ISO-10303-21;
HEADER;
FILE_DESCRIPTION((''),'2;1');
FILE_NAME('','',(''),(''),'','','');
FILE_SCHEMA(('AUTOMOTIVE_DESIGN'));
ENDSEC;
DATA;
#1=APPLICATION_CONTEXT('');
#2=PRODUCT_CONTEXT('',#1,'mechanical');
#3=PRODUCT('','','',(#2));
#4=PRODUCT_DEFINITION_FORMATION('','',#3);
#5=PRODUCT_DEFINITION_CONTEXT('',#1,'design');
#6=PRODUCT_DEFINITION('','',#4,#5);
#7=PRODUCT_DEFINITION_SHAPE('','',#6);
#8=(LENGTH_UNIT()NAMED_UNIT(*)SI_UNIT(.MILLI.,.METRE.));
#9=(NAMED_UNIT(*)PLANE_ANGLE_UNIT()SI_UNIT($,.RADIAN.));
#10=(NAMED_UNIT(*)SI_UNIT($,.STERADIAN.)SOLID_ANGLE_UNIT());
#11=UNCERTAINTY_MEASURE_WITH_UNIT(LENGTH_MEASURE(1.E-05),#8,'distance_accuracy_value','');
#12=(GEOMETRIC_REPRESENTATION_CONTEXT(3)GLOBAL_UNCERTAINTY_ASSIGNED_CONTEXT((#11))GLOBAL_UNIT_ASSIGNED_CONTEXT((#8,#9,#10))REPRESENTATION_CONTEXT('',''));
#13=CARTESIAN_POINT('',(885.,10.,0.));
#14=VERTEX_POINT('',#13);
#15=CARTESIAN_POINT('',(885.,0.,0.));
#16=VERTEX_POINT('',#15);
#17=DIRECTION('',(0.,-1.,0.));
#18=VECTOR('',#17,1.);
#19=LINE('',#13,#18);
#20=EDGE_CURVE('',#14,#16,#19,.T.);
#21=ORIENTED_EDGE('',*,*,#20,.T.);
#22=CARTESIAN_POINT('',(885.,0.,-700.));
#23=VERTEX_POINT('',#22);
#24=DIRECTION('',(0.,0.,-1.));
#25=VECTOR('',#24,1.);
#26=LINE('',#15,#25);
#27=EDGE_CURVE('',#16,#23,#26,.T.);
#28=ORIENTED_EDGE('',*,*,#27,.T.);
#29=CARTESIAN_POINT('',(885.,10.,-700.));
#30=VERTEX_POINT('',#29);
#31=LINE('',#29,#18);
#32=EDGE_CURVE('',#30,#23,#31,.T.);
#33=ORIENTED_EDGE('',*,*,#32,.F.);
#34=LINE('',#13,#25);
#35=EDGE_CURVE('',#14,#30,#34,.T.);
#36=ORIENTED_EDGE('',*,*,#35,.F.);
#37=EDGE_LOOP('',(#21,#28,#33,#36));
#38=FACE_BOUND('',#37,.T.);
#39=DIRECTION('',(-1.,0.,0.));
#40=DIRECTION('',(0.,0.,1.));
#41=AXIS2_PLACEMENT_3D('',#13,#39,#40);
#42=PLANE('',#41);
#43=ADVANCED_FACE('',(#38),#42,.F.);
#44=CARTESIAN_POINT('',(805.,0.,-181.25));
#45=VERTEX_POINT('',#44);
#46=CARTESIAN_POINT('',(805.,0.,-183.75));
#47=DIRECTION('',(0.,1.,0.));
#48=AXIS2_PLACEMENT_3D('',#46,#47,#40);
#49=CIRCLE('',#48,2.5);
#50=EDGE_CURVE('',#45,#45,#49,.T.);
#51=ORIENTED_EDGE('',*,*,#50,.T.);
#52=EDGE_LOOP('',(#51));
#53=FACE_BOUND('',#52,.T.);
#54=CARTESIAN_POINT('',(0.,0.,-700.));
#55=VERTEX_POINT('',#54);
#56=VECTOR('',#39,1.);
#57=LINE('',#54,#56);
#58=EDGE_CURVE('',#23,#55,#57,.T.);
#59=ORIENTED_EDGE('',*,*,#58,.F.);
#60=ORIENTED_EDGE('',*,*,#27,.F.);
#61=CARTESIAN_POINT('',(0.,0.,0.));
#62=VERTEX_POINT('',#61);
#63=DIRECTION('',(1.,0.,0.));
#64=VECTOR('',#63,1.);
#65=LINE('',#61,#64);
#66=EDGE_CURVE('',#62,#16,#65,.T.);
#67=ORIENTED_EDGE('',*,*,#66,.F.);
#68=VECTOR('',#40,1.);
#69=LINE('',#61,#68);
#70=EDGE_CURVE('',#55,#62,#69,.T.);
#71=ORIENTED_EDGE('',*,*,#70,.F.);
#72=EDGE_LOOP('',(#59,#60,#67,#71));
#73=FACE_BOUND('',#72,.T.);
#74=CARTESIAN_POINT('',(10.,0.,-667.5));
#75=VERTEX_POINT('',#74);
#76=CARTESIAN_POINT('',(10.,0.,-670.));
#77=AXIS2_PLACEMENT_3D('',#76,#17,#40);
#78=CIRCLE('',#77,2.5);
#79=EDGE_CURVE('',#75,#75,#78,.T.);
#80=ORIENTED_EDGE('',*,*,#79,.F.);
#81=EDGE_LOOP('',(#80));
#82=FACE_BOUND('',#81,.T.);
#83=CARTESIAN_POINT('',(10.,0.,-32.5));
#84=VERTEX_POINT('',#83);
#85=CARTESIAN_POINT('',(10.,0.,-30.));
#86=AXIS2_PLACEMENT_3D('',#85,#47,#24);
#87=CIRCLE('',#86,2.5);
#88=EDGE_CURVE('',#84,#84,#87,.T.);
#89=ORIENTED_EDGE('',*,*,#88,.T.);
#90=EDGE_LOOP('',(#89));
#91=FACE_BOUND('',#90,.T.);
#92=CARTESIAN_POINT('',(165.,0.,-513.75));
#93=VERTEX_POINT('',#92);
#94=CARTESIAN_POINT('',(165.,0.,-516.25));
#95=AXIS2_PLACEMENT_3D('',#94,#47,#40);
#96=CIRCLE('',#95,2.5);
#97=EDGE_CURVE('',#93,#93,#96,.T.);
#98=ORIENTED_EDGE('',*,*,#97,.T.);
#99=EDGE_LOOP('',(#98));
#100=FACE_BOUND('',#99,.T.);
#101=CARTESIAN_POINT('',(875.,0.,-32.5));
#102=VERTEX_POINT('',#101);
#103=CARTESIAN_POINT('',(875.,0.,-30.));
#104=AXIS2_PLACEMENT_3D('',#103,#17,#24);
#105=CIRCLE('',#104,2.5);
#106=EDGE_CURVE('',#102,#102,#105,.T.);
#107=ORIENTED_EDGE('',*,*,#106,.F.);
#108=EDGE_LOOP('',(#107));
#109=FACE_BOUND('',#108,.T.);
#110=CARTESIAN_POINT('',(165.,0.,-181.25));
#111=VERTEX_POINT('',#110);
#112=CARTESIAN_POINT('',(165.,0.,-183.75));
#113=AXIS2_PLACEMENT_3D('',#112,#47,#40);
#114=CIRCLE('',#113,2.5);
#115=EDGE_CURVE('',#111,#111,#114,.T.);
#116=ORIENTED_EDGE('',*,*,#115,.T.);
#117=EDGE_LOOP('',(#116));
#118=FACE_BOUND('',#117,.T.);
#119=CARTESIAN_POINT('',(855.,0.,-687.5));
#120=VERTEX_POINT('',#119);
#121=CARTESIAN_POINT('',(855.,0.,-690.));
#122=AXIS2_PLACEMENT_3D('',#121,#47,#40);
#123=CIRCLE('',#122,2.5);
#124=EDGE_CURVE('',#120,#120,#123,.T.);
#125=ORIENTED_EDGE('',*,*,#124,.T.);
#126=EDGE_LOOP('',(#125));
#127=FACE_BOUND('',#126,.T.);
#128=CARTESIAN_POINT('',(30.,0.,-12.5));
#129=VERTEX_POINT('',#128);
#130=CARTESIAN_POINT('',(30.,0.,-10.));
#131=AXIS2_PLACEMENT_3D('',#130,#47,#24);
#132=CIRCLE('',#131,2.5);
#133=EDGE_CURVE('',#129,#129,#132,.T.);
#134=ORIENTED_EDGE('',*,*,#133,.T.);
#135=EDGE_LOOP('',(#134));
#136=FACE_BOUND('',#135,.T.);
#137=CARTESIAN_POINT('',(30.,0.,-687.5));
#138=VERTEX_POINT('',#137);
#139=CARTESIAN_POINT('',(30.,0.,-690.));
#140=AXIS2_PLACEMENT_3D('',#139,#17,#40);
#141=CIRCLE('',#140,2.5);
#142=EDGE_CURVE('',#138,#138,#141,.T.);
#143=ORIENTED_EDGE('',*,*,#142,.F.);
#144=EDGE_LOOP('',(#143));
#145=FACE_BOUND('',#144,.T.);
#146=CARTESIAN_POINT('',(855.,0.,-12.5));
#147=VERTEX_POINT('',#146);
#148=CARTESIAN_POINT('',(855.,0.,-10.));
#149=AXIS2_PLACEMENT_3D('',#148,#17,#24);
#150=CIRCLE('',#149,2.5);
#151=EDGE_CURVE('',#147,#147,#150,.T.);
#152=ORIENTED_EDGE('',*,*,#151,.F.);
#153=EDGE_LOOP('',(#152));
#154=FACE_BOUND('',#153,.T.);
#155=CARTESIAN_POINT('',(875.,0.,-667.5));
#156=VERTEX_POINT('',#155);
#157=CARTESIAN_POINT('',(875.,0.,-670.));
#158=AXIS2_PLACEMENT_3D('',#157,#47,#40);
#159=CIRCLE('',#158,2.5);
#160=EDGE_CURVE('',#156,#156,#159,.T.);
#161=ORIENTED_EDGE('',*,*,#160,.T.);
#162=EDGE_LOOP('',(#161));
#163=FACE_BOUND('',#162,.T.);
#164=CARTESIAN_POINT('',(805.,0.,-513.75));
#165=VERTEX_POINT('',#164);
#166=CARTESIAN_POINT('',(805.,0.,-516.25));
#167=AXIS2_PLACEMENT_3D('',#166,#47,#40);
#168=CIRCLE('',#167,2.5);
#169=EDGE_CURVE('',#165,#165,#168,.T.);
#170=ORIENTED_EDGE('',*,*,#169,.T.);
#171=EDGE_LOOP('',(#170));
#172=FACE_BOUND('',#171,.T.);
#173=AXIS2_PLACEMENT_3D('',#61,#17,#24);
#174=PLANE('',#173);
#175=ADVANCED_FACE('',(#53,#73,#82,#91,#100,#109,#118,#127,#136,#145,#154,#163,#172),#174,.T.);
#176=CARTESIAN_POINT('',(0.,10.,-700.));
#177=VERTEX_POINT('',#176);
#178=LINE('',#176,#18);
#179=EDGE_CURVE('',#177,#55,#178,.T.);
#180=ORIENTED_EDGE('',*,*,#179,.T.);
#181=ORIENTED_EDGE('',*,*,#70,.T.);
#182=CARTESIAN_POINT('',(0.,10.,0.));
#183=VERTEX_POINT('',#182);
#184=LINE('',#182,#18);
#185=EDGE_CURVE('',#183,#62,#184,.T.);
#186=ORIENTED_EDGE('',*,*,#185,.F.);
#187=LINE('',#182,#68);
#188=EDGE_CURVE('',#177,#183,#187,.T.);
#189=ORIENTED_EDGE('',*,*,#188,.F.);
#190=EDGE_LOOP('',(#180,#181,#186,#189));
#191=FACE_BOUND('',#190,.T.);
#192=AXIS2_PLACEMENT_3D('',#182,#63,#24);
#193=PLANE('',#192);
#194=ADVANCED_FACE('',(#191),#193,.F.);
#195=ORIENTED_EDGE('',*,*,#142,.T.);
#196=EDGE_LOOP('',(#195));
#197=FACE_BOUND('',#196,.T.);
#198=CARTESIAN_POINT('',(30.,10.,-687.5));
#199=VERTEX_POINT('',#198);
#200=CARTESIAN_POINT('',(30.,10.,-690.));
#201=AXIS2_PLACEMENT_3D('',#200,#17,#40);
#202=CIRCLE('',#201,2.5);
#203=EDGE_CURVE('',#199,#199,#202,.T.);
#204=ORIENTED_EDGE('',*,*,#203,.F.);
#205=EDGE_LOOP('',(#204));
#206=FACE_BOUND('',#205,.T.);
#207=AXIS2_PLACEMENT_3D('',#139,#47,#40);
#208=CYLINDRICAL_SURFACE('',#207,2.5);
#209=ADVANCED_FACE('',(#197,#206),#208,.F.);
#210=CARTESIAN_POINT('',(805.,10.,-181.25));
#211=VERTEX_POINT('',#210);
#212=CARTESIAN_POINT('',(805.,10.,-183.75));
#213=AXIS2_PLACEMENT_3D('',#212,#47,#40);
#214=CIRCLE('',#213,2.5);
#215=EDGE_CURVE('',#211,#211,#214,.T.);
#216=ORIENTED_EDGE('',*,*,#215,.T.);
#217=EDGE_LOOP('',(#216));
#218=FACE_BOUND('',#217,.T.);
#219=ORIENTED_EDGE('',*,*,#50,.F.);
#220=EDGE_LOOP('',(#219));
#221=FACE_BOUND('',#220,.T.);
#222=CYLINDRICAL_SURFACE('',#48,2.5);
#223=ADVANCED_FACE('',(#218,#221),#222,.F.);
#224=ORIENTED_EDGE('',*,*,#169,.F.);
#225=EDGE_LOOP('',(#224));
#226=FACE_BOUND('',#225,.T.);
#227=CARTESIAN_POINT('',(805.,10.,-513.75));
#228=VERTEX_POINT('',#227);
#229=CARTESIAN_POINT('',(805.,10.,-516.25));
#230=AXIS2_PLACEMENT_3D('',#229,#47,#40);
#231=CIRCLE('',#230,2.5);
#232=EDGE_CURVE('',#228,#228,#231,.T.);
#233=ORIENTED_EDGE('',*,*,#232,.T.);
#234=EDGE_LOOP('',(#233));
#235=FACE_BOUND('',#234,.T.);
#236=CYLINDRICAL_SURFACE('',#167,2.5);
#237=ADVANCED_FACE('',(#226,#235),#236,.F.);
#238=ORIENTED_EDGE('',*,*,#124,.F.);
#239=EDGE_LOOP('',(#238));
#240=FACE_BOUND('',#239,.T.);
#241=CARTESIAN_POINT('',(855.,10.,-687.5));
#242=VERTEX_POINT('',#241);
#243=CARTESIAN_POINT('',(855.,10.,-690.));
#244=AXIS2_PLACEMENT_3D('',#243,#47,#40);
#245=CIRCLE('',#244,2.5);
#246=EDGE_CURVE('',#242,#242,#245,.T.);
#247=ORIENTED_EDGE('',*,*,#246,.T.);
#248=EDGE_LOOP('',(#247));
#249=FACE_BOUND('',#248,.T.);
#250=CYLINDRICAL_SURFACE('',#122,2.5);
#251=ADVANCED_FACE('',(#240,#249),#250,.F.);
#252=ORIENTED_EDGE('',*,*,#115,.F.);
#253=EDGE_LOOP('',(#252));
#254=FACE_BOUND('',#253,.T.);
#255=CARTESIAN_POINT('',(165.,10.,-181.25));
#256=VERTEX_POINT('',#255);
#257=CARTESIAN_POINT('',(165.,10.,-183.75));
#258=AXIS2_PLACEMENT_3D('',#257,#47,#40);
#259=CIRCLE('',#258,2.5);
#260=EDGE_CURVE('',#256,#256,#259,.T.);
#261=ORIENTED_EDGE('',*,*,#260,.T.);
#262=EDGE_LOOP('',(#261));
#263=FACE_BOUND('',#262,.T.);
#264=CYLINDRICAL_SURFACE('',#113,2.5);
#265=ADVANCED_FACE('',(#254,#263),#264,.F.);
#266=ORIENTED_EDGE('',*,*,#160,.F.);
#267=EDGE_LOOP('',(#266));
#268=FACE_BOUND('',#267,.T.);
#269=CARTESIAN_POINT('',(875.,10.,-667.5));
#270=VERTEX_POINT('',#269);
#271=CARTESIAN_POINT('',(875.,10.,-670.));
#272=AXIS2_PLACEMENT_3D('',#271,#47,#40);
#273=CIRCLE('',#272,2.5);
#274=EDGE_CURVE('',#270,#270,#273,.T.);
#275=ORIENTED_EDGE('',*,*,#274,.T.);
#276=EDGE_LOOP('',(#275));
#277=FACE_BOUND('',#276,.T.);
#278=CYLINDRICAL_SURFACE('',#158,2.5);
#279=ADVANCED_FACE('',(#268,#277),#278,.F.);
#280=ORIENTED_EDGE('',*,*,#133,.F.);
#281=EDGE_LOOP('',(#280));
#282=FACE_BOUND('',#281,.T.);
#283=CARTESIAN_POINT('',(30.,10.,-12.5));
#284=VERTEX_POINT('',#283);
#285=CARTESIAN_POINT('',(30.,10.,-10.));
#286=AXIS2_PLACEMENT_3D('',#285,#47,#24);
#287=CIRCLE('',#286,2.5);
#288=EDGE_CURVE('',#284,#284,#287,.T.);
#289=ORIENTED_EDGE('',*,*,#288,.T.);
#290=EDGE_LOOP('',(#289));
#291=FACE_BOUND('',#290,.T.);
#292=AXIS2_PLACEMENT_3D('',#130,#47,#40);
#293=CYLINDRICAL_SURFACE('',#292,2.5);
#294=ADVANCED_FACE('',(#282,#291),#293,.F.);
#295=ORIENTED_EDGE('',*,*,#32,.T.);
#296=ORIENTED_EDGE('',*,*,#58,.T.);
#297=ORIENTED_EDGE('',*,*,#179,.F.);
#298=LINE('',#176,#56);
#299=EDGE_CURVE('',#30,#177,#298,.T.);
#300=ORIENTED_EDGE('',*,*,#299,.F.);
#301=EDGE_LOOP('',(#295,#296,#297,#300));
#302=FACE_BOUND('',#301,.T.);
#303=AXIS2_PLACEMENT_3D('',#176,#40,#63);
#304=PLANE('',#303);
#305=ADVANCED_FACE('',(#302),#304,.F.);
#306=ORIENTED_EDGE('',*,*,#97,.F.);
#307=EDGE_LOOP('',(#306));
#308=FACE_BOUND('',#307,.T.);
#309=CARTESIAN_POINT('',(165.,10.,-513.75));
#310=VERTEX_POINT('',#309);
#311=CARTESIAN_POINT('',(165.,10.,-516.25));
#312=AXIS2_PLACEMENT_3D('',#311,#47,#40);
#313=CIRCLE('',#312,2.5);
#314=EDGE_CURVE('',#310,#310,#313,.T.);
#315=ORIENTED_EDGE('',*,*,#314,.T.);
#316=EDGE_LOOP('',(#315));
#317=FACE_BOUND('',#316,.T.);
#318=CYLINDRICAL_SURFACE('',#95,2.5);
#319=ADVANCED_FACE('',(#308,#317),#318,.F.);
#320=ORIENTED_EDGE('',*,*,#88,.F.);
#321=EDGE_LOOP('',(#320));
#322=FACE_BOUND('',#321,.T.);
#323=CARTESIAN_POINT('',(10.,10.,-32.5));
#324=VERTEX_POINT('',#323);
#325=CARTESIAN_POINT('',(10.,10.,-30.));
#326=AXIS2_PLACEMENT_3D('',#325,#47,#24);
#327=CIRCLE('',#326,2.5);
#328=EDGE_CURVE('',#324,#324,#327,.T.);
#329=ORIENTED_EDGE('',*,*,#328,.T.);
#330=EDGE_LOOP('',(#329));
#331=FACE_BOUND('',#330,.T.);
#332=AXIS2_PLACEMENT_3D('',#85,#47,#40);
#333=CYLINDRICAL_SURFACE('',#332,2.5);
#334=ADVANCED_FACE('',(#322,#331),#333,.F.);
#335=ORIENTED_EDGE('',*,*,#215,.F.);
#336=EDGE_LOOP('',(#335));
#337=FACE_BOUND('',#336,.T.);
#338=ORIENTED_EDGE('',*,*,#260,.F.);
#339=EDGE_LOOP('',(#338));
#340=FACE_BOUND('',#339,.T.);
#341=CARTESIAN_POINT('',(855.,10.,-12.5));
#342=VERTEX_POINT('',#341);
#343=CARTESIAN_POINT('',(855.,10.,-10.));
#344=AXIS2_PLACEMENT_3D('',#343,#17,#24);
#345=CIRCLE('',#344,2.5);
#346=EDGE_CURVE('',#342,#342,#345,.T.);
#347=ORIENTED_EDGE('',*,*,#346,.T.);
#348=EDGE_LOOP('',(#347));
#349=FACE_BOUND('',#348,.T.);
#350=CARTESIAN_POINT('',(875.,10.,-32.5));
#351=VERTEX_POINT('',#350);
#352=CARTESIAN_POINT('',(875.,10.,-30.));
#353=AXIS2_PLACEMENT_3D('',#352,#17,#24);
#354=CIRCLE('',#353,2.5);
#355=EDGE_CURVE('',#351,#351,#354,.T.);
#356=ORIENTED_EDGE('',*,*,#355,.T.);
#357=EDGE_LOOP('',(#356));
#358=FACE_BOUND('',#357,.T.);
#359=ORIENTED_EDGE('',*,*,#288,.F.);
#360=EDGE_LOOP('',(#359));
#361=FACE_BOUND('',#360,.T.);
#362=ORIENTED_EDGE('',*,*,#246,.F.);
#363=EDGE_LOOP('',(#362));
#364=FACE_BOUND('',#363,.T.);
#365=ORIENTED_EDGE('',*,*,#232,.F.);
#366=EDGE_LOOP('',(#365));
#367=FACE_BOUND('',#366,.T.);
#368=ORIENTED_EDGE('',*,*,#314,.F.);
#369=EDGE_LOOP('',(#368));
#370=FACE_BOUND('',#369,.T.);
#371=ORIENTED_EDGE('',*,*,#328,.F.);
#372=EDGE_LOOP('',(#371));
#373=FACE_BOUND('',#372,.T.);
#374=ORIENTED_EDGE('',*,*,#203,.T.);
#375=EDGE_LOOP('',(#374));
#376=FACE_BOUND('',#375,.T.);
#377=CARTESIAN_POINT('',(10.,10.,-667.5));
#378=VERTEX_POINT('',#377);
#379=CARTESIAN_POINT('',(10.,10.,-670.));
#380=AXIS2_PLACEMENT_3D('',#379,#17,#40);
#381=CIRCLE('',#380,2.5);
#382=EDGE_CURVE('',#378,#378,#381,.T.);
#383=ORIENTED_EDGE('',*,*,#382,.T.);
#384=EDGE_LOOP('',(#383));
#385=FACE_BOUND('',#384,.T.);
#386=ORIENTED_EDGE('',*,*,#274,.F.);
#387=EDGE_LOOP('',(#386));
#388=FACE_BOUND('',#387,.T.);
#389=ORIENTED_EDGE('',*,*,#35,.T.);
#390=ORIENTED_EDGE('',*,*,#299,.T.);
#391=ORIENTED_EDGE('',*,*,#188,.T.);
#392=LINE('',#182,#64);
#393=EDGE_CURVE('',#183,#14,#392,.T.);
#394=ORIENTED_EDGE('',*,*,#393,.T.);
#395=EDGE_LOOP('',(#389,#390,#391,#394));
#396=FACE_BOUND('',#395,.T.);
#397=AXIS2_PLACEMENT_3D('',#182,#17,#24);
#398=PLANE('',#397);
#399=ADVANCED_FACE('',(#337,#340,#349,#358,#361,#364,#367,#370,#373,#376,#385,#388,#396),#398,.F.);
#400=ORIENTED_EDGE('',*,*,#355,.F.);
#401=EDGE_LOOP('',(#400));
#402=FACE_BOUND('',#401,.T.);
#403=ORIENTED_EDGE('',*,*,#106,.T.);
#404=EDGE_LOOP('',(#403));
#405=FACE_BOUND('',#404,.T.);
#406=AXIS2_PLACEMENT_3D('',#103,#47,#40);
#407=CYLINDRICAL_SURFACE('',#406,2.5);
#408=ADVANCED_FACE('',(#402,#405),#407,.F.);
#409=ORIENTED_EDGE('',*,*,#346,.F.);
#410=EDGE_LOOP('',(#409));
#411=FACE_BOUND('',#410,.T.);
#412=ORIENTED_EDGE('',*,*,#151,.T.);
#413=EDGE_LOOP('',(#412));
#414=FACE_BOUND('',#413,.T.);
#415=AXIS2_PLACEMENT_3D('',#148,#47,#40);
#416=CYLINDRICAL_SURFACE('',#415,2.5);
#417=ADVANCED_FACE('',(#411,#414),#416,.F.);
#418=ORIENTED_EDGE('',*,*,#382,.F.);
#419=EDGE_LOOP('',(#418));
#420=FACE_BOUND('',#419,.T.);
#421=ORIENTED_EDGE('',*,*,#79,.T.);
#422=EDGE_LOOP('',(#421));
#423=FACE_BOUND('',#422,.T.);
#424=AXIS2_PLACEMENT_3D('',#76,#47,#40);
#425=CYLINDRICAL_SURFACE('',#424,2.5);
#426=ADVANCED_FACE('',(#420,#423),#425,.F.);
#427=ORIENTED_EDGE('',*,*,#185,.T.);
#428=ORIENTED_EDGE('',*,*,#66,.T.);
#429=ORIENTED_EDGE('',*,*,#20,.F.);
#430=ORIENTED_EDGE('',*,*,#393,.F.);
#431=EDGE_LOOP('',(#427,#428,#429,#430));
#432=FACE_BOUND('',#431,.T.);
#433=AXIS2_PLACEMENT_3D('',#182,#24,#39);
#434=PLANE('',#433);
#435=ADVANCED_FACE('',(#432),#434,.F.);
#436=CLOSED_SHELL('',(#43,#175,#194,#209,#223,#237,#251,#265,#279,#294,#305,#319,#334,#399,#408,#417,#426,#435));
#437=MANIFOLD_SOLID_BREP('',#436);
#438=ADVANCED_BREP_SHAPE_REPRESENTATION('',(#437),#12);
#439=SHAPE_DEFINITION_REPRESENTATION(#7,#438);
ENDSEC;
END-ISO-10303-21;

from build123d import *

# Parameters (mm, degrees)
SKETCH1_W               = 885
SKETCH1_H               = 700
BOSS_EXTRUDE1_DEPTH     = 10
SKETCH2_R               = 2.5
CUT_EXTRUDE1_DEPTH      = 10
SKETCH4_R               = 2.5
CUT_EXTRUDE2_DEPTH      = 10
MIRROR2_COPY_1_SKETCH_R = 2.5
MIRROR2_COPY_1_DEPTH    = 10


with BuildPart() as part:
    # Sketch1 → Boss-Extrude1 (new body)
    with BuildSketch(Plane(origin=(0, 0, 0), x_dir=(1, 0, 0), z_dir=(0, 1, 0))):
        with Locations((442.5, 350)):
            Rectangle(SKETCH1_W, SKETCH1_H)
    extrude(amount=BOSS_EXTRUDE1_DEPTH)

    # Sketch2 → Cut-Extrude1 (cut)
    with BuildSketch(Plane(origin=(0, 10, 0), x_dir=(1, 0, 0), z_dir=(0, 1, 0))):
        with Locations(Location((805, 183.75, 0), (0, 0, 270))):
            Circle(SKETCH2_R)
        with Locations(Location((805, 516.25, 0), (0, 0, 270))):
            Circle(SKETCH2_R)
        with Locations(Location((165, 183.75, 0), (0, 0, 270))):
            Circle(SKETCH2_R)
        with Locations(Location((165, 516.25, 0), (0, 0, 270))):
            Circle(SKETCH2_R)
    extrude(amount=-CUT_EXTRUDE1_DEPTH, mode=Mode.SUBTRACT)

    # Sketch4 → Cut-Extrude2 (cut)
    with BuildSketch(Plane(origin=(0, 10, 0), x_dir=(1, 0, 0), z_dir=(0, 1, 0))):
        with Locations(Location((875, 670, 0), (0, 0, 270))):
            Circle(SKETCH4_R)
        with Locations(Location((855, 690, 0), (0, 0, 270))):
            Circle(SKETCH4_R)
    cut_extrude2 = extrude(amount=-CUT_EXTRUDE2_DEPTH, mode=Mode.SUBTRACT)

    # Mirror1: Cut-Extrude2 across plane
    add(cut_extrude2.mirror(Plane.XY.offset(-350)), mode=Mode.SUBTRACT)

    # Mirror2: Cut-Extrude2 across plane
    add(cut_extrude2.mirror(Plane.ZY.offset(-442.5)), mode=Mode.SUBTRACT)

    # Mirror2 copy 1 sketch → Mirror2 copy 1 (cut)
    with BuildSketch(Plane(origin=(885, 10, -700), x_dir=(-1, 0, 0), z_dir=(0, 1, 0))):
        with Locations(Location((875, 670, 0), (0, 0, 270))):
            Circle(MIRROR2_COPY_1_SKETCH_R)
        with Locations(Location((855, 690, 0), (0, 0, 270))):
            Circle(MIRROR2_COPY_1_SKETCH_R)
    extrude(amount=-MIRROR2_COPY_1_DEPTH, mode=Mode.SUBTRACT)


solid = part.part
